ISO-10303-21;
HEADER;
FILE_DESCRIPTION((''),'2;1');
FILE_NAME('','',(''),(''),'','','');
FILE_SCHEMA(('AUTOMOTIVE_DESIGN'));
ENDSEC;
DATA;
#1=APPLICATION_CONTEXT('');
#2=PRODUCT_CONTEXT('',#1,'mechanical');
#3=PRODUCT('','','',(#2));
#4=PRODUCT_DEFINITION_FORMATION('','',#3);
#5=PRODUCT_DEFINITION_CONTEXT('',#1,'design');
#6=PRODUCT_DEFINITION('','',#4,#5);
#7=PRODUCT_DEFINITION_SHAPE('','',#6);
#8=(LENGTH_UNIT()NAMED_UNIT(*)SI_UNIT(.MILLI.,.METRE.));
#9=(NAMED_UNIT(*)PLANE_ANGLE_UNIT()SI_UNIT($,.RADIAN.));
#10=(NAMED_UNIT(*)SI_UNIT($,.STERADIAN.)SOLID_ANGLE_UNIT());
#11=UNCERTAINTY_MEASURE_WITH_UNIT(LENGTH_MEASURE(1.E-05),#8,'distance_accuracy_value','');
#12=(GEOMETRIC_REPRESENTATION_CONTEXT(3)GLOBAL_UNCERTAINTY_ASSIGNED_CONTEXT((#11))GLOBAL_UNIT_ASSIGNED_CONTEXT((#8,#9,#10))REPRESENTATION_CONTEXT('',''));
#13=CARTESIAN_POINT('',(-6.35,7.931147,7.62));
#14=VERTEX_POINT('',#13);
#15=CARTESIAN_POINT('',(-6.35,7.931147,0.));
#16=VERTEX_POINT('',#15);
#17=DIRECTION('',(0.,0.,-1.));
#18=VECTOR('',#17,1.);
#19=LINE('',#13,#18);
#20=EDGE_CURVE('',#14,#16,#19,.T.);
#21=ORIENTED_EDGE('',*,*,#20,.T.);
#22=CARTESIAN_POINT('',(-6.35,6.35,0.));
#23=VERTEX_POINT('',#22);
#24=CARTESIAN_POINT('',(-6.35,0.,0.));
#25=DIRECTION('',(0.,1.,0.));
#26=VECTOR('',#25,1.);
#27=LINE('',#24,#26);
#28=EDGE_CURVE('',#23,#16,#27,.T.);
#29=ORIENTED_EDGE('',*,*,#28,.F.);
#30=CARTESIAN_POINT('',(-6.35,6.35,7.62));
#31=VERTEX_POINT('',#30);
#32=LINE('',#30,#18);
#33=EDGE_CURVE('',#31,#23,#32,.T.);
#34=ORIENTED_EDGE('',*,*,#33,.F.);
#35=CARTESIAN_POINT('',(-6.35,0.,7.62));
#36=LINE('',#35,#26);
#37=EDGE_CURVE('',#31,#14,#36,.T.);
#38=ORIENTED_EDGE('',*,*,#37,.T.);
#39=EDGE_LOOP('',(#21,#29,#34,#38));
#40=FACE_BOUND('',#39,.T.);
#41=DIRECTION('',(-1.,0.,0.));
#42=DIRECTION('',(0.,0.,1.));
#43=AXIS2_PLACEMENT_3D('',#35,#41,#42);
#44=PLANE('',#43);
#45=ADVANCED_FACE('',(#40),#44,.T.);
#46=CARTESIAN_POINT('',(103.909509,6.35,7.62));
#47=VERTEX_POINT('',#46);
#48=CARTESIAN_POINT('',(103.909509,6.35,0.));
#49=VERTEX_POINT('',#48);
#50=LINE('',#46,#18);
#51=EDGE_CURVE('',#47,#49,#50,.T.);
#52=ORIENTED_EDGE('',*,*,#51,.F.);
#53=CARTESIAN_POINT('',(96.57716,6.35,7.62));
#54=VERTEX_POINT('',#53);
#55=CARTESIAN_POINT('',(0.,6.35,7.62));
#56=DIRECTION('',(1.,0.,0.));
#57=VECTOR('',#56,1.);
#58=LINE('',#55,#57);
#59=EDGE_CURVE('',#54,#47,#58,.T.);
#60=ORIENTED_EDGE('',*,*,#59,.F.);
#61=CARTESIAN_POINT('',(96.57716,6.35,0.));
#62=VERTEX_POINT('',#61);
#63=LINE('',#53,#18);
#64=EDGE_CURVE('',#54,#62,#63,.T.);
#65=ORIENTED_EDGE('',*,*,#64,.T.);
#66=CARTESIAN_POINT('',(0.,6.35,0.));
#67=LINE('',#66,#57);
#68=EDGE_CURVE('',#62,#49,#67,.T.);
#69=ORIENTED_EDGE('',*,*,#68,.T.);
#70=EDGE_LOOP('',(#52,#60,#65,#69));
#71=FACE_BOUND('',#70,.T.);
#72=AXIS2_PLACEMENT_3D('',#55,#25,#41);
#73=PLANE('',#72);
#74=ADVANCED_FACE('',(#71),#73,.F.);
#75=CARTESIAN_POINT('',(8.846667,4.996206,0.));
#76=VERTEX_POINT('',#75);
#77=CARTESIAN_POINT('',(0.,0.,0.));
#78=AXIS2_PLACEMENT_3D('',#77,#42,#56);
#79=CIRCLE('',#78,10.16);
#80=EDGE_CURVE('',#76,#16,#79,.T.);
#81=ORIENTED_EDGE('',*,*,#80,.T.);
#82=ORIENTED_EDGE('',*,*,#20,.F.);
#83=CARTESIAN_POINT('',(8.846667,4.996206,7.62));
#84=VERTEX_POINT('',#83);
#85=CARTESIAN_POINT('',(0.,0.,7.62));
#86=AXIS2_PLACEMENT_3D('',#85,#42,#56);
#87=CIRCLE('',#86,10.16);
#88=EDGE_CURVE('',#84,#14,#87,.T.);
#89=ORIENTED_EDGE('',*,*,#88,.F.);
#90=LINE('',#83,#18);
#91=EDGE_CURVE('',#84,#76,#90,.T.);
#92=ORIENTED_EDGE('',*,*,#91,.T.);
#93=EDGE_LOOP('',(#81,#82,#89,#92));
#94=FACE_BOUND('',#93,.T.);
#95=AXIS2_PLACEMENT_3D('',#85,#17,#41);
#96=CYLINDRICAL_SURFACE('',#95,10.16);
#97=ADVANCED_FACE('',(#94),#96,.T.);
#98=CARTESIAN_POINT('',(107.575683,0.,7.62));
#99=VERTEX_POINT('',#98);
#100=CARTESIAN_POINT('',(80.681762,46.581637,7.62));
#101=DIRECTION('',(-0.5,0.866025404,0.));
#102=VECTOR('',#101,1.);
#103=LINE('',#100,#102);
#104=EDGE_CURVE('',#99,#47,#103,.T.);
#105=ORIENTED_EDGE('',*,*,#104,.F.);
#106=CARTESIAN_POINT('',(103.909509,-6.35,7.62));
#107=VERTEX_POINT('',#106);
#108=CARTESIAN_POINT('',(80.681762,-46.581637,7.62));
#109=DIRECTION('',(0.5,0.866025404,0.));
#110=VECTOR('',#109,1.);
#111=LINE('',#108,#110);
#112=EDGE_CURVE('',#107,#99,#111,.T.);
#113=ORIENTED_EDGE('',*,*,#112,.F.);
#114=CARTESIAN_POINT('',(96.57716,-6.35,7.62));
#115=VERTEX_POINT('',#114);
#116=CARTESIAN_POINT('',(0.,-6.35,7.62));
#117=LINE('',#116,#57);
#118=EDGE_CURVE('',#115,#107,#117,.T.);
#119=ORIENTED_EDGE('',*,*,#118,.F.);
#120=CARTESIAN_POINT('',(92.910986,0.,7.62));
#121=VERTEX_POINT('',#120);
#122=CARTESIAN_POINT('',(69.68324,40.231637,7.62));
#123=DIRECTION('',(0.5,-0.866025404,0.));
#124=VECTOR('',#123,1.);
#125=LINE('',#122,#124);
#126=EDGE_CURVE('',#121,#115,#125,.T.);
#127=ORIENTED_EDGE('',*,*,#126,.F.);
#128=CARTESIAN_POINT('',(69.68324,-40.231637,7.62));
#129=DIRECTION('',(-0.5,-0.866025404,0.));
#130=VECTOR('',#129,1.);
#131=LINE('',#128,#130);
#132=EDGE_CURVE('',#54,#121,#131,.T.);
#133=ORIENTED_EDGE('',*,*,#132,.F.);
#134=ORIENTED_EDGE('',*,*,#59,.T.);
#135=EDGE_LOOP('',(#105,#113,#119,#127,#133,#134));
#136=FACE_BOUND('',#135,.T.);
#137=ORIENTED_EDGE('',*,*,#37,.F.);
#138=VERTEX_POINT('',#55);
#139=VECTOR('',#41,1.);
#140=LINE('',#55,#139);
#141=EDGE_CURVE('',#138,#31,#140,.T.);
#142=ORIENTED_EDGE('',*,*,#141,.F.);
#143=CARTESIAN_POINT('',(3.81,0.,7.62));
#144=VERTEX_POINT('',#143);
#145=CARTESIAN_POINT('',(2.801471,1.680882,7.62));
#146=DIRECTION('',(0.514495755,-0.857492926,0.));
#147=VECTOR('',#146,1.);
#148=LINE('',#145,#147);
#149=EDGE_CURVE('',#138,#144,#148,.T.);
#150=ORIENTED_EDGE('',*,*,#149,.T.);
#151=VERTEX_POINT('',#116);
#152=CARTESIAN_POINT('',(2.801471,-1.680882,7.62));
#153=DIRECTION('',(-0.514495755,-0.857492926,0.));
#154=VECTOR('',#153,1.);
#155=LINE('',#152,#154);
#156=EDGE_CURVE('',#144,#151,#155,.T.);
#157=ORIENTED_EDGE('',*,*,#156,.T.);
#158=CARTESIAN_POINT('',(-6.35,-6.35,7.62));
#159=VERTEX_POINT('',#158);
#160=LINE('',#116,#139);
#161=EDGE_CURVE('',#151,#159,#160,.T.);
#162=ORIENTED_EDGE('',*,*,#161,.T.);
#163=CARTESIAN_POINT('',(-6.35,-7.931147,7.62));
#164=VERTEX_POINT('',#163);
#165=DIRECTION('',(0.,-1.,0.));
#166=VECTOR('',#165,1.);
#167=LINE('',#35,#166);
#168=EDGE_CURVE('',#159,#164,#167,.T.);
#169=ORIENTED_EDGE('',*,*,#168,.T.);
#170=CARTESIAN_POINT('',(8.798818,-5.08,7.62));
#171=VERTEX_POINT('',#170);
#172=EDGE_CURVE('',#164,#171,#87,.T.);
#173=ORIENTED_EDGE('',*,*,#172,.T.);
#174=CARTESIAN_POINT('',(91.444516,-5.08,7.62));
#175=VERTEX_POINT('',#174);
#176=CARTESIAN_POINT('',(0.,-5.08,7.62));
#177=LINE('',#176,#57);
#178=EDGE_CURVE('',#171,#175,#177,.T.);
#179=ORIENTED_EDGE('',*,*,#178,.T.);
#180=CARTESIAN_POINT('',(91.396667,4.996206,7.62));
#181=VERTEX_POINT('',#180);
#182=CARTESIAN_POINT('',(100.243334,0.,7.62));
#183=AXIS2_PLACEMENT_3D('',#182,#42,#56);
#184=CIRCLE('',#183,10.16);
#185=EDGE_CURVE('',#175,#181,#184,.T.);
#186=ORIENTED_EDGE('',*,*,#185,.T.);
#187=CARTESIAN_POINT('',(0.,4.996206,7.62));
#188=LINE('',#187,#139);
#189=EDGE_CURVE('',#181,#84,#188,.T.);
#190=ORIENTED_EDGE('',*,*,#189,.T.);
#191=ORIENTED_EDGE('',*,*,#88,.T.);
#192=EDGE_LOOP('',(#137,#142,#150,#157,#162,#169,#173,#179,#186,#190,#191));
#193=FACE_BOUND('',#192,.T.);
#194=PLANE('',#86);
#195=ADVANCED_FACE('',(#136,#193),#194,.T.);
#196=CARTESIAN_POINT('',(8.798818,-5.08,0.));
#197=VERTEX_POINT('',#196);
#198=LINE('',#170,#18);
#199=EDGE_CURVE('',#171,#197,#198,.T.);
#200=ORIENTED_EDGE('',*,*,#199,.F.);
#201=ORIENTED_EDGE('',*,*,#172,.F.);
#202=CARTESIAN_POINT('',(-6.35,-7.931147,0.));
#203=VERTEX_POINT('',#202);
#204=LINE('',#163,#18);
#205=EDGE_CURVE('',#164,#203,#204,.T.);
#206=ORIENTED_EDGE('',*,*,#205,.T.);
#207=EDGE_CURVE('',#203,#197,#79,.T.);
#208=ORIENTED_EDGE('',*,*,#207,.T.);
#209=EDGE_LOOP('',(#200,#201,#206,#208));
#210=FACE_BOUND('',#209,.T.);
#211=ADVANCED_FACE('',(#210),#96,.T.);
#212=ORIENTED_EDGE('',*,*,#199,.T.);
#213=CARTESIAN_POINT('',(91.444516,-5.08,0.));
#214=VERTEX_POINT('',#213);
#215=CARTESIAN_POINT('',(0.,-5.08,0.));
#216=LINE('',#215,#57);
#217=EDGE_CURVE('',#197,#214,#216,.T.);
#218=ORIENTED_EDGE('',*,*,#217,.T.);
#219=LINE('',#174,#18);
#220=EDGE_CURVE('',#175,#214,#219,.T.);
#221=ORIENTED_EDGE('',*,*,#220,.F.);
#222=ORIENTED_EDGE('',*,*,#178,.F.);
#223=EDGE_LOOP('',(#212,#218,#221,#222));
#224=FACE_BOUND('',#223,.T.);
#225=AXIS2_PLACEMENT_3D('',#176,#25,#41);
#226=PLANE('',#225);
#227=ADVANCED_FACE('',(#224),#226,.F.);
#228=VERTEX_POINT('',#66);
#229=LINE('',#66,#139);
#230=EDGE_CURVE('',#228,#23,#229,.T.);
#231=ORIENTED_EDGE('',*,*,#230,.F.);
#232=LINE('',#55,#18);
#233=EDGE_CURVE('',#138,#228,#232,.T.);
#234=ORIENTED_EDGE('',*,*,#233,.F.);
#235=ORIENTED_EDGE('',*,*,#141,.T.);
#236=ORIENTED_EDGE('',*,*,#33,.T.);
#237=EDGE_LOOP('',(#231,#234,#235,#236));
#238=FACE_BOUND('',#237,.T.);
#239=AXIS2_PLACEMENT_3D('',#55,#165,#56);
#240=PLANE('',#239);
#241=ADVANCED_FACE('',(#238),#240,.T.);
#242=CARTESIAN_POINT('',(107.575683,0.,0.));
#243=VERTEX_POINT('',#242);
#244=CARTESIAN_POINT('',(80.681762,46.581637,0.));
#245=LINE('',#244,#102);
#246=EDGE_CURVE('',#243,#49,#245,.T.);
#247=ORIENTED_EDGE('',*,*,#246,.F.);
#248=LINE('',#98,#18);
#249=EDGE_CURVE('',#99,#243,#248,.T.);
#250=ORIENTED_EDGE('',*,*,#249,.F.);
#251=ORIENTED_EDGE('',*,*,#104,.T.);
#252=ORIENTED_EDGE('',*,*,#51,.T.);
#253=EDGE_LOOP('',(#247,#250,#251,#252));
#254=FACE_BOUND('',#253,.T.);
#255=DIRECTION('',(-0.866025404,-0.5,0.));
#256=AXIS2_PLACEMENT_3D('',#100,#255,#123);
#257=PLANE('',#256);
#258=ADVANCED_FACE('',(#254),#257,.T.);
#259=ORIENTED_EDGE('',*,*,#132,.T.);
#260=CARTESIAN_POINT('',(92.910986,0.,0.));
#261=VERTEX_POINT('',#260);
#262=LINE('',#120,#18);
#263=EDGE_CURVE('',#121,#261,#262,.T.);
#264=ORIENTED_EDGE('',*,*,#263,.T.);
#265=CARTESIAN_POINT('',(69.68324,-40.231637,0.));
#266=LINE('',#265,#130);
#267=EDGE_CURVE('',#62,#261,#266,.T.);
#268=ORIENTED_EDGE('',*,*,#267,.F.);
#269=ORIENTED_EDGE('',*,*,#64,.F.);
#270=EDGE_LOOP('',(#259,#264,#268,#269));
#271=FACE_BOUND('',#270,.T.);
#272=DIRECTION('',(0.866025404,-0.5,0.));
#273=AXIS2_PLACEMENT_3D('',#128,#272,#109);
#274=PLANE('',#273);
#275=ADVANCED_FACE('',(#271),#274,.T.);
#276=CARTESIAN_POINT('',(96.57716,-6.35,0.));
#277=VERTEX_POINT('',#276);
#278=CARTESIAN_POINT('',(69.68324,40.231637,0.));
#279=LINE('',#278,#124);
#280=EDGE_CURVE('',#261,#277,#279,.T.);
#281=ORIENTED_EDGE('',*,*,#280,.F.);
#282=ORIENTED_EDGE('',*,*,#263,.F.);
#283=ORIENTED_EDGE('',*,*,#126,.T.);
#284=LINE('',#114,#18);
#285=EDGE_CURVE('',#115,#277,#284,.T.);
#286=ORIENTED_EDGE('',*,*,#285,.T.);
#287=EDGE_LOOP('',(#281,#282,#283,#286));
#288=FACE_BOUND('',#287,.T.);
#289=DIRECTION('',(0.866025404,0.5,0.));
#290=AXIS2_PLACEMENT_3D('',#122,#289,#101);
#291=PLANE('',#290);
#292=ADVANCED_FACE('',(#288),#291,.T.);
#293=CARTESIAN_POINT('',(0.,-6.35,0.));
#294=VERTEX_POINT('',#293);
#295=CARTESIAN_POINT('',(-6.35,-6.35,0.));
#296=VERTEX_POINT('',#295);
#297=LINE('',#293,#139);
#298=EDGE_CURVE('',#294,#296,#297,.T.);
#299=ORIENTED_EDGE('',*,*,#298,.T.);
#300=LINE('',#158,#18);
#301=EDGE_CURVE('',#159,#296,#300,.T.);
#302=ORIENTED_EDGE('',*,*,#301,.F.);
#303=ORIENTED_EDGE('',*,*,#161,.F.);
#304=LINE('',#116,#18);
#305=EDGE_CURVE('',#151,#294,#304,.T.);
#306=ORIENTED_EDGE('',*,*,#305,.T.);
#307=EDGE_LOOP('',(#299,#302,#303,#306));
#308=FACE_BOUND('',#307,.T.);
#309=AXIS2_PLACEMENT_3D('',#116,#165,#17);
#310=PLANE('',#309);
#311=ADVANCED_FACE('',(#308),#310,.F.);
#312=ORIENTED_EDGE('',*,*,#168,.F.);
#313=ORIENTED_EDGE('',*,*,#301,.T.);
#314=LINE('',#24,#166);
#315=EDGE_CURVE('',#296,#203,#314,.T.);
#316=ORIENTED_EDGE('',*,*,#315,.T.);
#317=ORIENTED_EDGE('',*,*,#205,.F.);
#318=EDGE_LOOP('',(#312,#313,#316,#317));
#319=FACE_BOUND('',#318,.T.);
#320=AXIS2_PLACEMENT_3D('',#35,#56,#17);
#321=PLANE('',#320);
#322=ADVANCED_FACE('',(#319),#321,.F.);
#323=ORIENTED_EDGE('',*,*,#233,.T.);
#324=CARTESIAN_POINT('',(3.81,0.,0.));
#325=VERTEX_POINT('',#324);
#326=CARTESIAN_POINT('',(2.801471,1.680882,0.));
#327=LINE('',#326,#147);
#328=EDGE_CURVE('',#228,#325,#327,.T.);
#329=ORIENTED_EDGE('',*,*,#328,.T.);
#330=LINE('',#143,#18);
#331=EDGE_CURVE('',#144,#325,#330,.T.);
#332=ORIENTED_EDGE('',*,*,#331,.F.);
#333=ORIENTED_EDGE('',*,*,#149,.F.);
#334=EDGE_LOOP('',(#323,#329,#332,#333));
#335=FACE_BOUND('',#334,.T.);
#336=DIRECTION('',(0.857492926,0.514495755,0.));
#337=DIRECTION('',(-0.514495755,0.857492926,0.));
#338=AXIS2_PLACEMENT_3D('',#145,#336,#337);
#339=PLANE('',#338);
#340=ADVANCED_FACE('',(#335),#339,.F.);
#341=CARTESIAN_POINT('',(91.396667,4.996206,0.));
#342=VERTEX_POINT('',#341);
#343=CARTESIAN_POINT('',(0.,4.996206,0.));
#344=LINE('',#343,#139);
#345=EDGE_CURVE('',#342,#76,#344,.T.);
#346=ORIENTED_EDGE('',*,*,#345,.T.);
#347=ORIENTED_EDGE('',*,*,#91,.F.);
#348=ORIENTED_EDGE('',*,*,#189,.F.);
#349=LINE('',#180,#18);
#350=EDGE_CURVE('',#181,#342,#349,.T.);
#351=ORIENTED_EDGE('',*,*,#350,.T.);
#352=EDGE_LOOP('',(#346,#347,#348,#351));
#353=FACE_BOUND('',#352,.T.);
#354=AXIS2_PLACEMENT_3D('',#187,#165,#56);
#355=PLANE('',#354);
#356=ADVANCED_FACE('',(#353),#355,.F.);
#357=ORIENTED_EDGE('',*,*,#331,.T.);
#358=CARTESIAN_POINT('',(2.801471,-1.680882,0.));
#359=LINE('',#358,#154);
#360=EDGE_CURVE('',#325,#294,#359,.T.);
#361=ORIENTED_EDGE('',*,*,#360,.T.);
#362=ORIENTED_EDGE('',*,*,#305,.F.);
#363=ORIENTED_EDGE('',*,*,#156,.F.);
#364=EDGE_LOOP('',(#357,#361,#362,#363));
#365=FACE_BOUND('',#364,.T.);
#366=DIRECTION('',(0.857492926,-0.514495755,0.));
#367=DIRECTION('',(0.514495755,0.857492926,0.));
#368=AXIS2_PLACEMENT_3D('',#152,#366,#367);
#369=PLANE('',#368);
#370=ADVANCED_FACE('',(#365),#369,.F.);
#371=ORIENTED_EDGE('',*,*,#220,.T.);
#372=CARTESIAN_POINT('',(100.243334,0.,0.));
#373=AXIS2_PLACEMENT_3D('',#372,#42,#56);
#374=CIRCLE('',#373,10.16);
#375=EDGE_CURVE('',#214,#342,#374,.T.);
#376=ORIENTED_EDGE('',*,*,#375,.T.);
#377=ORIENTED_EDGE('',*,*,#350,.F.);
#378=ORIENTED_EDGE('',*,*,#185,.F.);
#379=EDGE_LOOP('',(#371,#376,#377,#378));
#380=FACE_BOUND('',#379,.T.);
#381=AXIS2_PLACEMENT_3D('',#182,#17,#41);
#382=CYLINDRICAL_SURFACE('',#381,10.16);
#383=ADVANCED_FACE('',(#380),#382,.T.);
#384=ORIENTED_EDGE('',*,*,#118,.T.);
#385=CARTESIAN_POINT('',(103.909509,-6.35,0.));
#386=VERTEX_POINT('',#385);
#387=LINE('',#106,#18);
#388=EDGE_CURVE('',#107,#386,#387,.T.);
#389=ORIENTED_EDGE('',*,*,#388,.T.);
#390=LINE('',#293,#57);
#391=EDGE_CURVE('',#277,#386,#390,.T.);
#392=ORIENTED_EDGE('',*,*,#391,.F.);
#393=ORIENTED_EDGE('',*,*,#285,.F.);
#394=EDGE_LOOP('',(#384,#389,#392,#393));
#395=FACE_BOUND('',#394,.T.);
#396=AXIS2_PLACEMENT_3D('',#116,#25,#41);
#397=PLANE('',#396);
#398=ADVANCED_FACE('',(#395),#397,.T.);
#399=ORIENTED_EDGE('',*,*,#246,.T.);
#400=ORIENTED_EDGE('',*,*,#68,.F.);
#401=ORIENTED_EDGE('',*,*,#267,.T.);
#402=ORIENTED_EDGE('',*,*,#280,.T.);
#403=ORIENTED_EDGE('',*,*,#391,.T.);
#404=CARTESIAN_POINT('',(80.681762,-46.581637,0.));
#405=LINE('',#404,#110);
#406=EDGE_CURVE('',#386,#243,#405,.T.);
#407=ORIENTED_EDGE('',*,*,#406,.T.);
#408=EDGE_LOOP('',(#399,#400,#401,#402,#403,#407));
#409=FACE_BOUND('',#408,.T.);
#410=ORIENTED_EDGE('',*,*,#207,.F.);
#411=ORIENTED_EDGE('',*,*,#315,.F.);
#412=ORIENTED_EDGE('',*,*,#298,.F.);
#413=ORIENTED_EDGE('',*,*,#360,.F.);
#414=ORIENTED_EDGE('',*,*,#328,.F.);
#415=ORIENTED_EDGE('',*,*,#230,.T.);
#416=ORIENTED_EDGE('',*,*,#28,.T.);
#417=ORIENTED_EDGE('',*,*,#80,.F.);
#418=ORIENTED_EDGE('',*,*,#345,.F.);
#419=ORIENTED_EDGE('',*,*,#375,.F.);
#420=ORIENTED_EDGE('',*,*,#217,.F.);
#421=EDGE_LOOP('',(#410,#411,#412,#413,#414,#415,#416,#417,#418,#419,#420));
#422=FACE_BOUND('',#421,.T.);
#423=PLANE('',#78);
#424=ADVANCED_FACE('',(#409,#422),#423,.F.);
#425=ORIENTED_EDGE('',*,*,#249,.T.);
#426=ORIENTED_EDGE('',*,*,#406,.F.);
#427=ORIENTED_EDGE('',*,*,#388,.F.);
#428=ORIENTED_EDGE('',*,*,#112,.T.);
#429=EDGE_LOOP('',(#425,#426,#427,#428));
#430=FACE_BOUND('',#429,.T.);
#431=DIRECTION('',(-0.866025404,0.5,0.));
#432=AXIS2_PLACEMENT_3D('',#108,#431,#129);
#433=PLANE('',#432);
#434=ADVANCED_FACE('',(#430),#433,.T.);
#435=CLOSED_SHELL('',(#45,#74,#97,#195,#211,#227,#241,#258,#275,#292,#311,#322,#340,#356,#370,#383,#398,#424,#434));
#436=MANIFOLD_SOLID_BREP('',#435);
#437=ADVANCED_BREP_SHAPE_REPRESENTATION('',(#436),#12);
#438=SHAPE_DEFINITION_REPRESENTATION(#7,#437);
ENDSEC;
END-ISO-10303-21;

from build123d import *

# Parameters (mm, degrees)
BOSS_EXTRUDE2_DEPTH = 7.62


with BuildPart() as part:
    # Sketch1 → Boss-Extrude2 (new body)
    with BuildSketch(Plane.XY):
        with BuildLine():
            Line((8.798818102, -5.08), (91.44451632, -5.08))
            ThreePointArc((91.44451632, -5.08), (110.403219868, 0.048246477), (91.396667211, 4.996206486))
            Line((91.396667211, 4.996206486), (8.846667211, 4.996206486))
            ThreePointArc((8.846667211, 4.996206486), (1.926604894, 9.975660057), (-6.35, 7.931147458))
            Line((-6.35, 7.931147458), (-6.35, 6.35))
            Line((-6.35, 6.35), (0, 6.35))
            Line((0, 6.35), (3.81, 0))
            Line((3.81, 0), (0, -6.35))
            Line((0, -6.35), (-6.35, -6.35))
            Line((-6.35, -6.35), (-6.35, -7.931147458))
            ThreePointArc((-6.35, -7.931147458), (1.879212064, -9.984696391), (8.798818102, -5.08))
        make_face()
        Polygon((96.577160213, 6.35), (103.909508632, 6.35), (107.575682841, 0), (103.909508632, -6.35), (96.577160213, -6.35), (92.910986004, 0), align=None, mode=Mode.SUBTRACT)
    extrude(amount=BOSS_EXTRUDE2_DEPTH)


solid = part.part
